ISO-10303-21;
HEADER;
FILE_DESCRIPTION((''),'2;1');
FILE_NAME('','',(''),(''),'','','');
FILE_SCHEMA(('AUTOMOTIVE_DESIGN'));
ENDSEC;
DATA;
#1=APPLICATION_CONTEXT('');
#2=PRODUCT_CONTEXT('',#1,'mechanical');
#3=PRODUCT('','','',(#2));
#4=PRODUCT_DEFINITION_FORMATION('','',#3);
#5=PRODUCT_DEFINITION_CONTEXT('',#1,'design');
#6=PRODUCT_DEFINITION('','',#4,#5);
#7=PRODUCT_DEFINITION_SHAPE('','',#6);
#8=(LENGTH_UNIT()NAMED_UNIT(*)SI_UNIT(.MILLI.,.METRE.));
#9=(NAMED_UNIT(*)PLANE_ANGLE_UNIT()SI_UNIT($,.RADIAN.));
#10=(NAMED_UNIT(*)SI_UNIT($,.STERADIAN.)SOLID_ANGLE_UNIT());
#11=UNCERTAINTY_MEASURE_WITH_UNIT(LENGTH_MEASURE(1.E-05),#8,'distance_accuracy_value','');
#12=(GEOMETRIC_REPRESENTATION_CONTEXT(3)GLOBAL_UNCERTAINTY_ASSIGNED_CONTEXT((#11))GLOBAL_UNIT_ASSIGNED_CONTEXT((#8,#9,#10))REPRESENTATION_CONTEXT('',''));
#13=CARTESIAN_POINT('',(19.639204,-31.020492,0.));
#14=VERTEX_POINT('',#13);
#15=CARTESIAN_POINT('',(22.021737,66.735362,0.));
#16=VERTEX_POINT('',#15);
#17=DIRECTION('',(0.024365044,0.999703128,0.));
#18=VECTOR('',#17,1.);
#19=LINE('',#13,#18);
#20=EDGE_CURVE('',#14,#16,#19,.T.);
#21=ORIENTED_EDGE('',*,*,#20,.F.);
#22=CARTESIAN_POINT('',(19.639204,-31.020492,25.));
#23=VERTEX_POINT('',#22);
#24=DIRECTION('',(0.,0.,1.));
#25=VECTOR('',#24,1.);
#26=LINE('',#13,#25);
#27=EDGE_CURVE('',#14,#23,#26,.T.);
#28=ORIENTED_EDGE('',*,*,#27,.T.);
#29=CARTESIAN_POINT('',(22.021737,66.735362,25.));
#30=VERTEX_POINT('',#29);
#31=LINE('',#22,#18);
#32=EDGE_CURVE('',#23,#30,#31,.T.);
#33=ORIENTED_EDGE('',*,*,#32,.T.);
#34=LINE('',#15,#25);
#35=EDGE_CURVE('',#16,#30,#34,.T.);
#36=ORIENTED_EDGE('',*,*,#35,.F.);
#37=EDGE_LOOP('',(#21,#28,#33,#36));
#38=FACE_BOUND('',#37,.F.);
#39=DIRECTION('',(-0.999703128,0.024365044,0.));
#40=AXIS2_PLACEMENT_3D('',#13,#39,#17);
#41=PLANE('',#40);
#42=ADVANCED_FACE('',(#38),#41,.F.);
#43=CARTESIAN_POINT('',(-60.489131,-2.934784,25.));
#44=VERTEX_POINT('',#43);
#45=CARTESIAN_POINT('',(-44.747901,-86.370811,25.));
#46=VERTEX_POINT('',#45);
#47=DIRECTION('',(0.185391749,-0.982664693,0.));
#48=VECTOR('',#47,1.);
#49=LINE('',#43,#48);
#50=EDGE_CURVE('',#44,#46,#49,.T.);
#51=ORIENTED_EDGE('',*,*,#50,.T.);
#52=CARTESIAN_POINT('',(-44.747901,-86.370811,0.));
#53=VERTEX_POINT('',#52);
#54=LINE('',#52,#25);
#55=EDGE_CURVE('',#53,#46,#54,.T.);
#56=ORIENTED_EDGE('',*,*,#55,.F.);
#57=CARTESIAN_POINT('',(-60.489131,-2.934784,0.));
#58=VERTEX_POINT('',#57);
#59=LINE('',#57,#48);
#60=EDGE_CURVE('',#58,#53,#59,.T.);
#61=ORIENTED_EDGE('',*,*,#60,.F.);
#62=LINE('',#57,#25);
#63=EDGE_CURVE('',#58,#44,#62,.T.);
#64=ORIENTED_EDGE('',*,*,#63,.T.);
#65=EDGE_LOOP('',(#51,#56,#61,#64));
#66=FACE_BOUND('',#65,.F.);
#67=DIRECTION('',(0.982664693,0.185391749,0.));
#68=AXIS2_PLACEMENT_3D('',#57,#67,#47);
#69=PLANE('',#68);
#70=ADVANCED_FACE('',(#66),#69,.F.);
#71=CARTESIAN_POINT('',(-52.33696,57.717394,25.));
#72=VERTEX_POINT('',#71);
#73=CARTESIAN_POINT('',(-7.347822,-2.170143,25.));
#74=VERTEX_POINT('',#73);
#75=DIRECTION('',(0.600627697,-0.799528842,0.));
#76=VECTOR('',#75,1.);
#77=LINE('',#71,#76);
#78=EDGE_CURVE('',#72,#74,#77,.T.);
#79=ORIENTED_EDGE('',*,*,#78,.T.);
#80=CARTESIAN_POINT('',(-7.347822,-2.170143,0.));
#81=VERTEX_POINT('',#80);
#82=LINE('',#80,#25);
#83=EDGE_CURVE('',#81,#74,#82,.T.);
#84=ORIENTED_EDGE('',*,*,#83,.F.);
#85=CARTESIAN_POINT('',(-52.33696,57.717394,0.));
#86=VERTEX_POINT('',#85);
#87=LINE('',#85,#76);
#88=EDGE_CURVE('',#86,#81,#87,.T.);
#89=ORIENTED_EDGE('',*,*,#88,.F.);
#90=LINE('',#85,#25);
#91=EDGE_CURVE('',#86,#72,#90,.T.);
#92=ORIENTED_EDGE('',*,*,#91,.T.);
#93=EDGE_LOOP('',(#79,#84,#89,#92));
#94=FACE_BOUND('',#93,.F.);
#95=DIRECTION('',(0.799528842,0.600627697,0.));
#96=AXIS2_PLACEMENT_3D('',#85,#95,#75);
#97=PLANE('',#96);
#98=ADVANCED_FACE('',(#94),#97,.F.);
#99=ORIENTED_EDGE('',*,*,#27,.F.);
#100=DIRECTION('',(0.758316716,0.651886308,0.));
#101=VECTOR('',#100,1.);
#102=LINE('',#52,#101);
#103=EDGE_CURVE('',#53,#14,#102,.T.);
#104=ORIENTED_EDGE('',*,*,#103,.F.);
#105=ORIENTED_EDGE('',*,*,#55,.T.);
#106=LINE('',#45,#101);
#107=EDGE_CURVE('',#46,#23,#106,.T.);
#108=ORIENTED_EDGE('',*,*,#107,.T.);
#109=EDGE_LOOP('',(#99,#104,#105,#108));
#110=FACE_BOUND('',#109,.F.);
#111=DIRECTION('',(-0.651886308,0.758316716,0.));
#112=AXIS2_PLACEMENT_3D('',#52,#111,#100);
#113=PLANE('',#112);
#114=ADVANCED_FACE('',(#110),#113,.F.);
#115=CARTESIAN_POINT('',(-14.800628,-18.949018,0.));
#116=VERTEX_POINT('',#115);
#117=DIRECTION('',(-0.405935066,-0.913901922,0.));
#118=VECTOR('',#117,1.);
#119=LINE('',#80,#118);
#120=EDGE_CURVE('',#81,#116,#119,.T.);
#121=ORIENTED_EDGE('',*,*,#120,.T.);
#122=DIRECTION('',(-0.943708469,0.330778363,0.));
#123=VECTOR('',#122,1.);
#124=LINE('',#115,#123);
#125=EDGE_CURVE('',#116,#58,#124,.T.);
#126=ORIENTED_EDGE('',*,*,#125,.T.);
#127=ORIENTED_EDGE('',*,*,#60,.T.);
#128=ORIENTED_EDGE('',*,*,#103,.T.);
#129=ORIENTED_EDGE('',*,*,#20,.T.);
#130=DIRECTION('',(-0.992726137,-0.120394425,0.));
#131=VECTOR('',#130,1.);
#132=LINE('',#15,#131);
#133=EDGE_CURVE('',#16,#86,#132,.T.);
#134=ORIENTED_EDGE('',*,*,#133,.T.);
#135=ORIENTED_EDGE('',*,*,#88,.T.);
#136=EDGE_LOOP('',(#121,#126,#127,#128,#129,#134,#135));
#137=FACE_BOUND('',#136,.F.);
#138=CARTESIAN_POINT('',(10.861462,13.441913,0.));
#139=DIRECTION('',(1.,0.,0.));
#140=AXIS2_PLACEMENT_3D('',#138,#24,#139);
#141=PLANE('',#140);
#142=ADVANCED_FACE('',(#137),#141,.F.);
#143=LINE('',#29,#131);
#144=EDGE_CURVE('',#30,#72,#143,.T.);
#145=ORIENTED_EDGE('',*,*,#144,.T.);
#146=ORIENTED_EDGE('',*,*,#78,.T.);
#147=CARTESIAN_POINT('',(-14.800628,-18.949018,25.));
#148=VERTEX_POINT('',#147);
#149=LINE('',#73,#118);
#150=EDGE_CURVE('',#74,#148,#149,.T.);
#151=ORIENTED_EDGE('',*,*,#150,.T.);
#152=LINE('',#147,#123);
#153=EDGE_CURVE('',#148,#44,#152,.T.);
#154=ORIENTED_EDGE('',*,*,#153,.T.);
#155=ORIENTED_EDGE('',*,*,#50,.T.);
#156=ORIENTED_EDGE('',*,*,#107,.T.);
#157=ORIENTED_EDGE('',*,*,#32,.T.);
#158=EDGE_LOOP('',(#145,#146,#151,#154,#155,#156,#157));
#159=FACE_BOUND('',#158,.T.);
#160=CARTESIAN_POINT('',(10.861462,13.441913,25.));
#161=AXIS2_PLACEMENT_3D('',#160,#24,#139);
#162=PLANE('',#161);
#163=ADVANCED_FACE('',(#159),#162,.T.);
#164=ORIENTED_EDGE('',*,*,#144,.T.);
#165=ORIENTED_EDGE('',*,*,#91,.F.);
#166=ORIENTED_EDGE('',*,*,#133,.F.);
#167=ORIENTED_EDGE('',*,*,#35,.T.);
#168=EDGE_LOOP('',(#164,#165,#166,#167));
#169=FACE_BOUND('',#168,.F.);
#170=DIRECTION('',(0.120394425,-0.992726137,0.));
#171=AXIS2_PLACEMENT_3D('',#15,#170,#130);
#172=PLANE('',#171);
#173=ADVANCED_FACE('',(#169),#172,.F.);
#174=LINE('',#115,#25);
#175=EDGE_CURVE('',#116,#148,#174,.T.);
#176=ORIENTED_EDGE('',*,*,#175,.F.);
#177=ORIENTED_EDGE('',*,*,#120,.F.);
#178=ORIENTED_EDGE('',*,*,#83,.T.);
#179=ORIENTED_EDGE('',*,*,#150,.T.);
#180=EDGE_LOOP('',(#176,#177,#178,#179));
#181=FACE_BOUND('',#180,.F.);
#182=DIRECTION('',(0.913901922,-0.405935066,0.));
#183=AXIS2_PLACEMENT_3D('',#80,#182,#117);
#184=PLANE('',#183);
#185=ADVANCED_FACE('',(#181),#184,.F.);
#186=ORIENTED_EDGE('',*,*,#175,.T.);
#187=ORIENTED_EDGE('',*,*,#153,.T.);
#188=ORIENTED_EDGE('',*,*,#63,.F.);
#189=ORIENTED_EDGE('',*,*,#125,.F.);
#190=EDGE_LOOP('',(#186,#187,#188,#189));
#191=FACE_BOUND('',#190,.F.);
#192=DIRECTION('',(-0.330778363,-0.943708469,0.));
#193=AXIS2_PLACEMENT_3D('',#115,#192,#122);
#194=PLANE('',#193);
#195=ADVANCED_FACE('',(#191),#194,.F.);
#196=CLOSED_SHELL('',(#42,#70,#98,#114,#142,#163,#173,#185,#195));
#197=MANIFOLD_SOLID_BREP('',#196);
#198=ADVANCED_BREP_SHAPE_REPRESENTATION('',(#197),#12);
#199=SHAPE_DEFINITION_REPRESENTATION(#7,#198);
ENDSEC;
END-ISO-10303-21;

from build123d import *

# Parameters (mm, degrees)
F1_DEPTH = 25


with BuildPart() as f1:
    # F0 (on Top) → F1 (new body)
    with BuildSketch(Plane.XY):
        Polygon((19.639204, -31.020492), (22.021737, 66.735362), (-7.347822, -2.170143), (-14.800628, -18.949018), align=None)
        Polygon((-7.347822, -2.170143), (22.021737, 66.735362), (-52.33696, 57.717394), align=None)
        Polygon((-44.747901, -86.370811), (19.639204, -31.020492), (-14.800628, -18.949018), align=None)
        Polygon((-44.747901, -86.370811), (-14.800628, -18.949018), (-60.489131, -2.934784), align=None)
    extrude(amount=F1_DEPTH)


solid = f1.part
